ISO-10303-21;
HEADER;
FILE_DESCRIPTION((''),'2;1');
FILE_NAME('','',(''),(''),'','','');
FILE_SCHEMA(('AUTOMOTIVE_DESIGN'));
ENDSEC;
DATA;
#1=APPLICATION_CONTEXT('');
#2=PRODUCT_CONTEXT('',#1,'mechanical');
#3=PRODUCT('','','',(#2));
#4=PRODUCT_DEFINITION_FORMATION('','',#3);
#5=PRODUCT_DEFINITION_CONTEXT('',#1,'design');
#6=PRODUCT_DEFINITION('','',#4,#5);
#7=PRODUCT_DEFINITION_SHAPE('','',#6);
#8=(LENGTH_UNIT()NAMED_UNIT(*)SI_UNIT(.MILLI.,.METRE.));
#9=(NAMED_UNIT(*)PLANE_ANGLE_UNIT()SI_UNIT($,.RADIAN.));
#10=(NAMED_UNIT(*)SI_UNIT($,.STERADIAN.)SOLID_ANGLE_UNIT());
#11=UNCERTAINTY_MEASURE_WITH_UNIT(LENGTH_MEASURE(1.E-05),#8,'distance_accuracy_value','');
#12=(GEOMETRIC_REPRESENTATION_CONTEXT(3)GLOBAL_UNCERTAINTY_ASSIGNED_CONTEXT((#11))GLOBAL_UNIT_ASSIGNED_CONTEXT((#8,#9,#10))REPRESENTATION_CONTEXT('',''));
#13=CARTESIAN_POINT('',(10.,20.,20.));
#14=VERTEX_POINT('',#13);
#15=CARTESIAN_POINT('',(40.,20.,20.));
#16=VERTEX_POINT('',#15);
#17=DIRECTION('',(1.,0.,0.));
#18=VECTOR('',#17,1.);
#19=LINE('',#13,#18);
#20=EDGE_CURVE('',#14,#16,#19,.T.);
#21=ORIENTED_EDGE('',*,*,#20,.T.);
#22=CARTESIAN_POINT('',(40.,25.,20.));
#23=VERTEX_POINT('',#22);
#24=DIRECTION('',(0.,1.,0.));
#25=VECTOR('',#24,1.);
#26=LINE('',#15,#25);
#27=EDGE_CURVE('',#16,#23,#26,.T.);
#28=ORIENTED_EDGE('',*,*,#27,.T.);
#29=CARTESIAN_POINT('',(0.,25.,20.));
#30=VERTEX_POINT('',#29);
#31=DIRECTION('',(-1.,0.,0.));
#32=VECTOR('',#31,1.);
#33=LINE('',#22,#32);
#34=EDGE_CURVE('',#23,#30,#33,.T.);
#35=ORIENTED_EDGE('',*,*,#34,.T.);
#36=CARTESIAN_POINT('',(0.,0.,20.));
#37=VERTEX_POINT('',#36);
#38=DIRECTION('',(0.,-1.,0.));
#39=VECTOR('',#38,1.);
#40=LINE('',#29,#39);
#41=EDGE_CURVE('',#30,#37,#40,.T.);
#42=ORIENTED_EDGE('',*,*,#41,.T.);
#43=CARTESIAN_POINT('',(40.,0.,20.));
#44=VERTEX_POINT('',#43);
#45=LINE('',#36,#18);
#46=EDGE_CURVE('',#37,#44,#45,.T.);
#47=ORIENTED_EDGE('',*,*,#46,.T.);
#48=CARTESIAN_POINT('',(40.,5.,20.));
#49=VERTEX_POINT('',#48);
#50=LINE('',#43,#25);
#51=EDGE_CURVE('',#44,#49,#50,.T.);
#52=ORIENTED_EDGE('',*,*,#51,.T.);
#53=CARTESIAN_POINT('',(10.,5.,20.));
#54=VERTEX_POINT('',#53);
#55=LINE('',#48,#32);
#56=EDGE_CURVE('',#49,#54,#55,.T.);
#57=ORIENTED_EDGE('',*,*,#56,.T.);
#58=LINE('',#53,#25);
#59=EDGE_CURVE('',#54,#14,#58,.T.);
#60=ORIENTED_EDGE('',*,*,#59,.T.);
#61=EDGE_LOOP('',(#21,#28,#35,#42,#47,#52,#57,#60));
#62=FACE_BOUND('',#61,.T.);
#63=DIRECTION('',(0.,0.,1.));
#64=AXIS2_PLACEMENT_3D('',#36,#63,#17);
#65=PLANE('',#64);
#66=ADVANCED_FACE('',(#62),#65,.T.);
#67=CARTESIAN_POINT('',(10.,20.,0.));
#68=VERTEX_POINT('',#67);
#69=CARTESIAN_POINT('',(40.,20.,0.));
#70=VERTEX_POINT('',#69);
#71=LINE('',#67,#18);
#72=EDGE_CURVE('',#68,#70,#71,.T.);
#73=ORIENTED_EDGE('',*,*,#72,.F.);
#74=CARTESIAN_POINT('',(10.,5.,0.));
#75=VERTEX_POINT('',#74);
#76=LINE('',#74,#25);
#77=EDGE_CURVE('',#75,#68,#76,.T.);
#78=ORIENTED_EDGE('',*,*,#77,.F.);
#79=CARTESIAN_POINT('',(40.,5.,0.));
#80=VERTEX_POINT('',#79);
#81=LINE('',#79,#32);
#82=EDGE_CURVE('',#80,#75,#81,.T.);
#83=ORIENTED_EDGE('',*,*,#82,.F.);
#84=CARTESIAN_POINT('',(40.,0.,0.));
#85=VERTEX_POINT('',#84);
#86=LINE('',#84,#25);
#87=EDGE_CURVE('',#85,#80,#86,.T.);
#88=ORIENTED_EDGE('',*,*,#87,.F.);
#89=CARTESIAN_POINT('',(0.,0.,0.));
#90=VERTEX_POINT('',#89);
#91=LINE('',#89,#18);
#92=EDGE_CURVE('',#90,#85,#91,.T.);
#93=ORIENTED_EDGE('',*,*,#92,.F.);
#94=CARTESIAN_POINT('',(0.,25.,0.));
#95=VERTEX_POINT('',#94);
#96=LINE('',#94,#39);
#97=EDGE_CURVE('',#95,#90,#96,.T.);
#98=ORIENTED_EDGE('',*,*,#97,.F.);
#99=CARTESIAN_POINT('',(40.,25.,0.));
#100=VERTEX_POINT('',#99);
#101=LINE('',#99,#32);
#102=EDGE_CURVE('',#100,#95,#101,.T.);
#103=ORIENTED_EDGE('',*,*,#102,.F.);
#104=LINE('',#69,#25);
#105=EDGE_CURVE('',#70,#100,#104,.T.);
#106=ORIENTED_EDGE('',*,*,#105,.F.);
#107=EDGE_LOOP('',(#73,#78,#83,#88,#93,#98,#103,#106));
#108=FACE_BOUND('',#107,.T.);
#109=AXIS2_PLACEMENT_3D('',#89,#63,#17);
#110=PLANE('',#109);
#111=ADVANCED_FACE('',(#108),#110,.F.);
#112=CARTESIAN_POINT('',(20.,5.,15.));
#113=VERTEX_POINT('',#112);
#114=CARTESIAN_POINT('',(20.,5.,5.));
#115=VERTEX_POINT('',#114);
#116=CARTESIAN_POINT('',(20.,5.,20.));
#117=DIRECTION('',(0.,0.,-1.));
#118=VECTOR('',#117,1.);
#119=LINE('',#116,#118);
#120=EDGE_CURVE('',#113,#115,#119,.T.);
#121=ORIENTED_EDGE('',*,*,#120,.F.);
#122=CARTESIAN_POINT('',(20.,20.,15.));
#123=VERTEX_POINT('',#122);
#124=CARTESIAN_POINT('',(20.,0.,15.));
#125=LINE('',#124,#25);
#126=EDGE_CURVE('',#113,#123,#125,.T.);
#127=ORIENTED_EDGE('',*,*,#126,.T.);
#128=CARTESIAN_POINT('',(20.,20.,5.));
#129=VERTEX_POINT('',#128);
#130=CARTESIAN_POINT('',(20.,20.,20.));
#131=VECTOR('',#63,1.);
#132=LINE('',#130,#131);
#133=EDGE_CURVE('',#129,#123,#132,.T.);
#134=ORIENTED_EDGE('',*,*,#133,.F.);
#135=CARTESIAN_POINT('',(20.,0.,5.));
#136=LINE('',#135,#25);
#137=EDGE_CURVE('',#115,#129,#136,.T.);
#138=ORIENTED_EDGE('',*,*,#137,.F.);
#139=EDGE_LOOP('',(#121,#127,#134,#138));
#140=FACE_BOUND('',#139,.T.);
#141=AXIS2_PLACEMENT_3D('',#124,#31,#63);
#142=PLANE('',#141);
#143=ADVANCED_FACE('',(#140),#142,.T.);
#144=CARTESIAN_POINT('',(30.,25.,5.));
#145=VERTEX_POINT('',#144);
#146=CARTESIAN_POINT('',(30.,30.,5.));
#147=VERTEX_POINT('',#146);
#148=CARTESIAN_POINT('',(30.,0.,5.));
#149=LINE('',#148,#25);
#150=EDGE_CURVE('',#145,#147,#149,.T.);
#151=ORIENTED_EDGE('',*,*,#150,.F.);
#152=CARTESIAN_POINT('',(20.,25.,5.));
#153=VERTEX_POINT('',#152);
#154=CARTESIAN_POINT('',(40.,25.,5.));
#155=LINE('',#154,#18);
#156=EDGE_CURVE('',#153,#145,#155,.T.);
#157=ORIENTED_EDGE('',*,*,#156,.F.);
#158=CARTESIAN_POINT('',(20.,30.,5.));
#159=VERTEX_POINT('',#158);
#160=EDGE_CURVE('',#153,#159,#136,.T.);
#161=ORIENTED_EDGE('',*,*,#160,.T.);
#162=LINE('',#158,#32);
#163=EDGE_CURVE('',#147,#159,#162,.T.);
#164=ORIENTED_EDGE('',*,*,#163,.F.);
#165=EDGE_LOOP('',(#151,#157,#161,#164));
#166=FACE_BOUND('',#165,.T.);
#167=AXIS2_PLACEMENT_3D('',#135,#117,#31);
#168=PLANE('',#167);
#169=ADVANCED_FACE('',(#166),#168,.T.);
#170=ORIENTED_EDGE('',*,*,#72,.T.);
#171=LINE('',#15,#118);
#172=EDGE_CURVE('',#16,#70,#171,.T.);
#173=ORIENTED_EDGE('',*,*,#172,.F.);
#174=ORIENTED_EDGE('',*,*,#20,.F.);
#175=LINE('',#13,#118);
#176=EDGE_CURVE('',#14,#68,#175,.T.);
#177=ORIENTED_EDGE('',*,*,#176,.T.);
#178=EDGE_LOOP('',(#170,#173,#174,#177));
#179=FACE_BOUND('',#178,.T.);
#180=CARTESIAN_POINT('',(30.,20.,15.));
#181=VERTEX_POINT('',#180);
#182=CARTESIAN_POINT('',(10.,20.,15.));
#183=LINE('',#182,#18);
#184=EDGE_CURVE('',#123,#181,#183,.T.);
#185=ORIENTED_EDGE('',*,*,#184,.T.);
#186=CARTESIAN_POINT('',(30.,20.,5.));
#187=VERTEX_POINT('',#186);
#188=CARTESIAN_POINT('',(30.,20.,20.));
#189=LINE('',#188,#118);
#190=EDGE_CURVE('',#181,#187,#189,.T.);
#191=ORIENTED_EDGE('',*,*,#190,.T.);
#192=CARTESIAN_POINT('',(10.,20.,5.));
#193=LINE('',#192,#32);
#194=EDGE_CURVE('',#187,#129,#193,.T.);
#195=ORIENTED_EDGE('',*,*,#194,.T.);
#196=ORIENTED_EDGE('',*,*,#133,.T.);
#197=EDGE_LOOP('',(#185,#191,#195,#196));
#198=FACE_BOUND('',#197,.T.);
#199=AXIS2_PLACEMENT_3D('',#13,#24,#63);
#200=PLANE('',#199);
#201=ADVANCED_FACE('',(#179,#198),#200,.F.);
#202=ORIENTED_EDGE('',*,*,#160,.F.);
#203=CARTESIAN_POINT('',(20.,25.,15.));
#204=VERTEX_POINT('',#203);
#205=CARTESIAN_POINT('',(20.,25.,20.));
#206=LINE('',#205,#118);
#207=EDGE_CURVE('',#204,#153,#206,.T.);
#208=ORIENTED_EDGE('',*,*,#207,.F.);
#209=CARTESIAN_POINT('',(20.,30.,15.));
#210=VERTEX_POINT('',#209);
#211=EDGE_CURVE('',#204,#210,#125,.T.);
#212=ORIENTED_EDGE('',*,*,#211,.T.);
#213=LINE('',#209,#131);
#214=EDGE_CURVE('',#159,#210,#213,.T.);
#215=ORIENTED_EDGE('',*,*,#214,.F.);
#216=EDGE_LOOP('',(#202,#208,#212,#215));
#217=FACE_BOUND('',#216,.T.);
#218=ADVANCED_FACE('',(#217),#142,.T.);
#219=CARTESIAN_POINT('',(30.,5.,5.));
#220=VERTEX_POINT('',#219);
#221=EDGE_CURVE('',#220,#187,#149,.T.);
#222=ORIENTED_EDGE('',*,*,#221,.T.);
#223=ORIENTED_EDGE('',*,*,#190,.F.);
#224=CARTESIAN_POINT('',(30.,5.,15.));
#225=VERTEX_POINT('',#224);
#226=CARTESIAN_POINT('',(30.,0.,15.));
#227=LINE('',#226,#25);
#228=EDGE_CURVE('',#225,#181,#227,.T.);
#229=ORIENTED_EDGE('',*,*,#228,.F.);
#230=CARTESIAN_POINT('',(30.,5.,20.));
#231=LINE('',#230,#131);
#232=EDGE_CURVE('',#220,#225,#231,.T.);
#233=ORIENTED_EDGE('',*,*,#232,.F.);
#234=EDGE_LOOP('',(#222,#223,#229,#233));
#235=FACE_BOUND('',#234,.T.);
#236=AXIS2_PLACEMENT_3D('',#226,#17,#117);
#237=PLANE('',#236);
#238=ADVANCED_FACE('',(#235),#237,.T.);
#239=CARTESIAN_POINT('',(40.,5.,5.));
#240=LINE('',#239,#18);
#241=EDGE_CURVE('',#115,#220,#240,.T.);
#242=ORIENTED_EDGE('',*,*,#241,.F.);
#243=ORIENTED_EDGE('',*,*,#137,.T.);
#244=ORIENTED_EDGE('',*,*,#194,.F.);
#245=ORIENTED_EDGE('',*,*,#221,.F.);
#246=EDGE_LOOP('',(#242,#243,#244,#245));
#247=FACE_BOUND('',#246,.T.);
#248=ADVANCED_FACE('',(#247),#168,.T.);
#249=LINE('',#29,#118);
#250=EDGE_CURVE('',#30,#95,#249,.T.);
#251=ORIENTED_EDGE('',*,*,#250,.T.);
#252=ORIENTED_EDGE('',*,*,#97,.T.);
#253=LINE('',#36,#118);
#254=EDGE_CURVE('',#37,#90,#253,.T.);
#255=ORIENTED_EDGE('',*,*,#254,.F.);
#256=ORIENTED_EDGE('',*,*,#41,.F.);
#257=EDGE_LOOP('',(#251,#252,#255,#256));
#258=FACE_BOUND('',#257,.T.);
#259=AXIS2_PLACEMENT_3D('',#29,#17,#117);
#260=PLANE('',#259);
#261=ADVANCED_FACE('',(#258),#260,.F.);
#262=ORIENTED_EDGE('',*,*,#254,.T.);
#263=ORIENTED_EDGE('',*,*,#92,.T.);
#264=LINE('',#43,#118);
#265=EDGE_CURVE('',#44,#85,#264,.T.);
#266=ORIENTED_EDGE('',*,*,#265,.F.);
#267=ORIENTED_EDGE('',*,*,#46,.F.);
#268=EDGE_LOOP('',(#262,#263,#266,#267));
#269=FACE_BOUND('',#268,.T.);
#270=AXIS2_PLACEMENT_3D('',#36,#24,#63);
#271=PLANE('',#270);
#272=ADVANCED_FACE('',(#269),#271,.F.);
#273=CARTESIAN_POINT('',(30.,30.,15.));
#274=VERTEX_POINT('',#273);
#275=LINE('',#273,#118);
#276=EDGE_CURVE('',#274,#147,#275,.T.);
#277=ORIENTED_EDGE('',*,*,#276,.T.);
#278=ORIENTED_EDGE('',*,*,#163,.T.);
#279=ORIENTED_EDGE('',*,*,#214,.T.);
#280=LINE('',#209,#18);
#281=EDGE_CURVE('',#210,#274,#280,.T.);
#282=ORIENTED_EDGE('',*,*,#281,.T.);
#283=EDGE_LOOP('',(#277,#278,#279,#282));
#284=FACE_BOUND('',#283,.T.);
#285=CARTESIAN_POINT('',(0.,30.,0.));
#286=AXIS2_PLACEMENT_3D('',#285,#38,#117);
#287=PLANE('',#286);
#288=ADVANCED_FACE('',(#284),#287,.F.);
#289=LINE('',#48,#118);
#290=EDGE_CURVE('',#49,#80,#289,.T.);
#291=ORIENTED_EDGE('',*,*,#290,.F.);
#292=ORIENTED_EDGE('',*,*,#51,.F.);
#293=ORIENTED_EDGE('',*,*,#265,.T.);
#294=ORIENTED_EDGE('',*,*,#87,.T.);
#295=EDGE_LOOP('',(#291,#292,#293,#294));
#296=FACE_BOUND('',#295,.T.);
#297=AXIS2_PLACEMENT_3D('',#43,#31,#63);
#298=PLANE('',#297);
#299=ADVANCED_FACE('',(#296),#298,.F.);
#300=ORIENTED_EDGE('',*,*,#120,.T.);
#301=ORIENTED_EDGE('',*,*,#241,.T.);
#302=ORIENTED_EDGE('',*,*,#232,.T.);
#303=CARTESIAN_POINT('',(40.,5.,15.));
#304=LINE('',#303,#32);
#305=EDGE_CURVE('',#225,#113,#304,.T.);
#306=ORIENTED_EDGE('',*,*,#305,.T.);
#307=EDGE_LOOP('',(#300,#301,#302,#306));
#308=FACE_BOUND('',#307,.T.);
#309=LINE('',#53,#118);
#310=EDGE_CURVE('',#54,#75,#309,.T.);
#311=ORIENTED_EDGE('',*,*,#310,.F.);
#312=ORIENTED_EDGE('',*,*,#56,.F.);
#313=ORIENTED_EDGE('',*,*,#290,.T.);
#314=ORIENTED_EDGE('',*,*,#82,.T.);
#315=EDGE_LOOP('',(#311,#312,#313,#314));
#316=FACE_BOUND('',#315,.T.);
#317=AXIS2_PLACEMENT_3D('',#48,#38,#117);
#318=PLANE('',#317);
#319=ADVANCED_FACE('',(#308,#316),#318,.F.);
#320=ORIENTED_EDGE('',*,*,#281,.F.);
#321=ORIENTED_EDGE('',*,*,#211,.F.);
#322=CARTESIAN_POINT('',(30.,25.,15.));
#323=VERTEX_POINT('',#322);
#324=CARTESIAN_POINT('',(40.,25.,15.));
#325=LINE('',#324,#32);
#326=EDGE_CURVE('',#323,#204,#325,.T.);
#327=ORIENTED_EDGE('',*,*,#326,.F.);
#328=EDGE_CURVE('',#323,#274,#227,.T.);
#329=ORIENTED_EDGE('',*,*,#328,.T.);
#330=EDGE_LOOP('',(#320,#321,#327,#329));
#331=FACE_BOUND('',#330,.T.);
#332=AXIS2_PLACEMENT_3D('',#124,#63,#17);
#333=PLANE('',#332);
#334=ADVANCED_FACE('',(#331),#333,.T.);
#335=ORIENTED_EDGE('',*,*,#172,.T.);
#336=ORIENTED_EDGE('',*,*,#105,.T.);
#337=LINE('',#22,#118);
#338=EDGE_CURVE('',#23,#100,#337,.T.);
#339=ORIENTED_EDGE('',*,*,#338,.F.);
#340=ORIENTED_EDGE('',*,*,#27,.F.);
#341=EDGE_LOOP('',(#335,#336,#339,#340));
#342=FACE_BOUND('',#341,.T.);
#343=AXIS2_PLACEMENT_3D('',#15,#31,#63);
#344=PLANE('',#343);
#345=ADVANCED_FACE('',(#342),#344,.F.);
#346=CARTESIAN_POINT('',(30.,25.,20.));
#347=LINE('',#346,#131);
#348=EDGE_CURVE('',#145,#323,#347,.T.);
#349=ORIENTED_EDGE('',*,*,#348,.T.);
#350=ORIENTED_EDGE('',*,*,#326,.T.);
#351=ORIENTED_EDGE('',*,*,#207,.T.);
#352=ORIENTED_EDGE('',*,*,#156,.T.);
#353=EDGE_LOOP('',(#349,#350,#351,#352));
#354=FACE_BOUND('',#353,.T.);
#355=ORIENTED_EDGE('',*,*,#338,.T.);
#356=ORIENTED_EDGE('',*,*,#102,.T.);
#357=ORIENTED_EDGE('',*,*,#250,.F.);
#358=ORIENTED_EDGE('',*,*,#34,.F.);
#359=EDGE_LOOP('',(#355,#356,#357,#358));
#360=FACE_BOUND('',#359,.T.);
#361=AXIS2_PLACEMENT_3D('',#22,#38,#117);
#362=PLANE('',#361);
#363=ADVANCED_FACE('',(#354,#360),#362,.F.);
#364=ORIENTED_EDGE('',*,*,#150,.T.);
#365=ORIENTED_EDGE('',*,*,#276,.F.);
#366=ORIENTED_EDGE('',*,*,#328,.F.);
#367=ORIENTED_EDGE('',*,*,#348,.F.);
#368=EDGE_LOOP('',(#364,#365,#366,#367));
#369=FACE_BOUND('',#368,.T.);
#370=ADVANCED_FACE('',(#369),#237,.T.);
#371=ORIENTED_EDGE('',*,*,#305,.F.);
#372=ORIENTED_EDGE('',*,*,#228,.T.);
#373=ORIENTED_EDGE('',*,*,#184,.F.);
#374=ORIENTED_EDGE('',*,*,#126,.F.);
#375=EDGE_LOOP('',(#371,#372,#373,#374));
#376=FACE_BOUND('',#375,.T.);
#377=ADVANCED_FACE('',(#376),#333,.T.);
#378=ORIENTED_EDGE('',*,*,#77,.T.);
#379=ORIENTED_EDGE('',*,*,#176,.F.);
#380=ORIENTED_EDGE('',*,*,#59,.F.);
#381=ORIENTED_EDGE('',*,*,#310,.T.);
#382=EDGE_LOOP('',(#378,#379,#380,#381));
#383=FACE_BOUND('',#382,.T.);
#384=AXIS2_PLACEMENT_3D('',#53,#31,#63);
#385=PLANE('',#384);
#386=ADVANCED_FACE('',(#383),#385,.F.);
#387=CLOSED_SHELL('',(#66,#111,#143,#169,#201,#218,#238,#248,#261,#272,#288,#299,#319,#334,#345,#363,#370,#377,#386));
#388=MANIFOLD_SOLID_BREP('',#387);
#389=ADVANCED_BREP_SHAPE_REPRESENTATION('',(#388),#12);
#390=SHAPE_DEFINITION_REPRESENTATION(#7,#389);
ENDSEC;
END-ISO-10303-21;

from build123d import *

# Parameters (mm, degrees)
BOSS_EXTRUDE1_DEPTH             = 20
SKETCH2_W                       = 10
SKETCH2_H                       = 10
BOSS_EXTRUDE2_DEPTH             = 5
BOSS_EXTRUDE2_DIRECTION_2_REACH = 53.235


with BuildPart() as part:
    # Sketch1 → Boss-Extrude1 (new body)
    with BuildSketch(Plane.XY):
        Polygon((0, 0), (40, 0), (40, 5), (10, 5), (10, 20), (40, 20), (40, 25), (0, 25), align=None)
    extrude(amount=BOSS_EXTRUDE1_DEPTH)

    # Sketch2 → Boss-Extrude2 (add)
    with BuildSketch(Plane(origin=(0, 25, 0), x_dir=(1, 0, 0), z_dir=(0, 1, 0))):
        with Locations((25, -10)):
            Rectangle(SKETCH2_W, SKETCH2_H)
    extrude(amount=BOSS_EXTRUDE2_DEPTH)

    # Sketch2 → Boss-Extrude2 direction 2 (add, up to next)
    with BuildSketch(Plane(origin=(0, 25, 0), x_dir=(1, 0, 0), z_dir=(0, 1, 0)), mode=Mode.PRIVATE) as boss_extrude2_direction_2_sk1:
        with Locations((25, -10)):
            Rectangle(SKETCH2_W, SKETCH2_H)
    boss_extrude2_direction_2_tool1 = extrude(boss_extrude2_direction_2_sk1.sketch, amount=-BOSS_EXTRUDE2_DIRECTION_2_REACH, mode=Mode.PRIVATE) - part.part
    add(boss_extrude2_direction_2_tool1.solids().sort_by_distance((25, 25, 10))[0])


solid = part.part
